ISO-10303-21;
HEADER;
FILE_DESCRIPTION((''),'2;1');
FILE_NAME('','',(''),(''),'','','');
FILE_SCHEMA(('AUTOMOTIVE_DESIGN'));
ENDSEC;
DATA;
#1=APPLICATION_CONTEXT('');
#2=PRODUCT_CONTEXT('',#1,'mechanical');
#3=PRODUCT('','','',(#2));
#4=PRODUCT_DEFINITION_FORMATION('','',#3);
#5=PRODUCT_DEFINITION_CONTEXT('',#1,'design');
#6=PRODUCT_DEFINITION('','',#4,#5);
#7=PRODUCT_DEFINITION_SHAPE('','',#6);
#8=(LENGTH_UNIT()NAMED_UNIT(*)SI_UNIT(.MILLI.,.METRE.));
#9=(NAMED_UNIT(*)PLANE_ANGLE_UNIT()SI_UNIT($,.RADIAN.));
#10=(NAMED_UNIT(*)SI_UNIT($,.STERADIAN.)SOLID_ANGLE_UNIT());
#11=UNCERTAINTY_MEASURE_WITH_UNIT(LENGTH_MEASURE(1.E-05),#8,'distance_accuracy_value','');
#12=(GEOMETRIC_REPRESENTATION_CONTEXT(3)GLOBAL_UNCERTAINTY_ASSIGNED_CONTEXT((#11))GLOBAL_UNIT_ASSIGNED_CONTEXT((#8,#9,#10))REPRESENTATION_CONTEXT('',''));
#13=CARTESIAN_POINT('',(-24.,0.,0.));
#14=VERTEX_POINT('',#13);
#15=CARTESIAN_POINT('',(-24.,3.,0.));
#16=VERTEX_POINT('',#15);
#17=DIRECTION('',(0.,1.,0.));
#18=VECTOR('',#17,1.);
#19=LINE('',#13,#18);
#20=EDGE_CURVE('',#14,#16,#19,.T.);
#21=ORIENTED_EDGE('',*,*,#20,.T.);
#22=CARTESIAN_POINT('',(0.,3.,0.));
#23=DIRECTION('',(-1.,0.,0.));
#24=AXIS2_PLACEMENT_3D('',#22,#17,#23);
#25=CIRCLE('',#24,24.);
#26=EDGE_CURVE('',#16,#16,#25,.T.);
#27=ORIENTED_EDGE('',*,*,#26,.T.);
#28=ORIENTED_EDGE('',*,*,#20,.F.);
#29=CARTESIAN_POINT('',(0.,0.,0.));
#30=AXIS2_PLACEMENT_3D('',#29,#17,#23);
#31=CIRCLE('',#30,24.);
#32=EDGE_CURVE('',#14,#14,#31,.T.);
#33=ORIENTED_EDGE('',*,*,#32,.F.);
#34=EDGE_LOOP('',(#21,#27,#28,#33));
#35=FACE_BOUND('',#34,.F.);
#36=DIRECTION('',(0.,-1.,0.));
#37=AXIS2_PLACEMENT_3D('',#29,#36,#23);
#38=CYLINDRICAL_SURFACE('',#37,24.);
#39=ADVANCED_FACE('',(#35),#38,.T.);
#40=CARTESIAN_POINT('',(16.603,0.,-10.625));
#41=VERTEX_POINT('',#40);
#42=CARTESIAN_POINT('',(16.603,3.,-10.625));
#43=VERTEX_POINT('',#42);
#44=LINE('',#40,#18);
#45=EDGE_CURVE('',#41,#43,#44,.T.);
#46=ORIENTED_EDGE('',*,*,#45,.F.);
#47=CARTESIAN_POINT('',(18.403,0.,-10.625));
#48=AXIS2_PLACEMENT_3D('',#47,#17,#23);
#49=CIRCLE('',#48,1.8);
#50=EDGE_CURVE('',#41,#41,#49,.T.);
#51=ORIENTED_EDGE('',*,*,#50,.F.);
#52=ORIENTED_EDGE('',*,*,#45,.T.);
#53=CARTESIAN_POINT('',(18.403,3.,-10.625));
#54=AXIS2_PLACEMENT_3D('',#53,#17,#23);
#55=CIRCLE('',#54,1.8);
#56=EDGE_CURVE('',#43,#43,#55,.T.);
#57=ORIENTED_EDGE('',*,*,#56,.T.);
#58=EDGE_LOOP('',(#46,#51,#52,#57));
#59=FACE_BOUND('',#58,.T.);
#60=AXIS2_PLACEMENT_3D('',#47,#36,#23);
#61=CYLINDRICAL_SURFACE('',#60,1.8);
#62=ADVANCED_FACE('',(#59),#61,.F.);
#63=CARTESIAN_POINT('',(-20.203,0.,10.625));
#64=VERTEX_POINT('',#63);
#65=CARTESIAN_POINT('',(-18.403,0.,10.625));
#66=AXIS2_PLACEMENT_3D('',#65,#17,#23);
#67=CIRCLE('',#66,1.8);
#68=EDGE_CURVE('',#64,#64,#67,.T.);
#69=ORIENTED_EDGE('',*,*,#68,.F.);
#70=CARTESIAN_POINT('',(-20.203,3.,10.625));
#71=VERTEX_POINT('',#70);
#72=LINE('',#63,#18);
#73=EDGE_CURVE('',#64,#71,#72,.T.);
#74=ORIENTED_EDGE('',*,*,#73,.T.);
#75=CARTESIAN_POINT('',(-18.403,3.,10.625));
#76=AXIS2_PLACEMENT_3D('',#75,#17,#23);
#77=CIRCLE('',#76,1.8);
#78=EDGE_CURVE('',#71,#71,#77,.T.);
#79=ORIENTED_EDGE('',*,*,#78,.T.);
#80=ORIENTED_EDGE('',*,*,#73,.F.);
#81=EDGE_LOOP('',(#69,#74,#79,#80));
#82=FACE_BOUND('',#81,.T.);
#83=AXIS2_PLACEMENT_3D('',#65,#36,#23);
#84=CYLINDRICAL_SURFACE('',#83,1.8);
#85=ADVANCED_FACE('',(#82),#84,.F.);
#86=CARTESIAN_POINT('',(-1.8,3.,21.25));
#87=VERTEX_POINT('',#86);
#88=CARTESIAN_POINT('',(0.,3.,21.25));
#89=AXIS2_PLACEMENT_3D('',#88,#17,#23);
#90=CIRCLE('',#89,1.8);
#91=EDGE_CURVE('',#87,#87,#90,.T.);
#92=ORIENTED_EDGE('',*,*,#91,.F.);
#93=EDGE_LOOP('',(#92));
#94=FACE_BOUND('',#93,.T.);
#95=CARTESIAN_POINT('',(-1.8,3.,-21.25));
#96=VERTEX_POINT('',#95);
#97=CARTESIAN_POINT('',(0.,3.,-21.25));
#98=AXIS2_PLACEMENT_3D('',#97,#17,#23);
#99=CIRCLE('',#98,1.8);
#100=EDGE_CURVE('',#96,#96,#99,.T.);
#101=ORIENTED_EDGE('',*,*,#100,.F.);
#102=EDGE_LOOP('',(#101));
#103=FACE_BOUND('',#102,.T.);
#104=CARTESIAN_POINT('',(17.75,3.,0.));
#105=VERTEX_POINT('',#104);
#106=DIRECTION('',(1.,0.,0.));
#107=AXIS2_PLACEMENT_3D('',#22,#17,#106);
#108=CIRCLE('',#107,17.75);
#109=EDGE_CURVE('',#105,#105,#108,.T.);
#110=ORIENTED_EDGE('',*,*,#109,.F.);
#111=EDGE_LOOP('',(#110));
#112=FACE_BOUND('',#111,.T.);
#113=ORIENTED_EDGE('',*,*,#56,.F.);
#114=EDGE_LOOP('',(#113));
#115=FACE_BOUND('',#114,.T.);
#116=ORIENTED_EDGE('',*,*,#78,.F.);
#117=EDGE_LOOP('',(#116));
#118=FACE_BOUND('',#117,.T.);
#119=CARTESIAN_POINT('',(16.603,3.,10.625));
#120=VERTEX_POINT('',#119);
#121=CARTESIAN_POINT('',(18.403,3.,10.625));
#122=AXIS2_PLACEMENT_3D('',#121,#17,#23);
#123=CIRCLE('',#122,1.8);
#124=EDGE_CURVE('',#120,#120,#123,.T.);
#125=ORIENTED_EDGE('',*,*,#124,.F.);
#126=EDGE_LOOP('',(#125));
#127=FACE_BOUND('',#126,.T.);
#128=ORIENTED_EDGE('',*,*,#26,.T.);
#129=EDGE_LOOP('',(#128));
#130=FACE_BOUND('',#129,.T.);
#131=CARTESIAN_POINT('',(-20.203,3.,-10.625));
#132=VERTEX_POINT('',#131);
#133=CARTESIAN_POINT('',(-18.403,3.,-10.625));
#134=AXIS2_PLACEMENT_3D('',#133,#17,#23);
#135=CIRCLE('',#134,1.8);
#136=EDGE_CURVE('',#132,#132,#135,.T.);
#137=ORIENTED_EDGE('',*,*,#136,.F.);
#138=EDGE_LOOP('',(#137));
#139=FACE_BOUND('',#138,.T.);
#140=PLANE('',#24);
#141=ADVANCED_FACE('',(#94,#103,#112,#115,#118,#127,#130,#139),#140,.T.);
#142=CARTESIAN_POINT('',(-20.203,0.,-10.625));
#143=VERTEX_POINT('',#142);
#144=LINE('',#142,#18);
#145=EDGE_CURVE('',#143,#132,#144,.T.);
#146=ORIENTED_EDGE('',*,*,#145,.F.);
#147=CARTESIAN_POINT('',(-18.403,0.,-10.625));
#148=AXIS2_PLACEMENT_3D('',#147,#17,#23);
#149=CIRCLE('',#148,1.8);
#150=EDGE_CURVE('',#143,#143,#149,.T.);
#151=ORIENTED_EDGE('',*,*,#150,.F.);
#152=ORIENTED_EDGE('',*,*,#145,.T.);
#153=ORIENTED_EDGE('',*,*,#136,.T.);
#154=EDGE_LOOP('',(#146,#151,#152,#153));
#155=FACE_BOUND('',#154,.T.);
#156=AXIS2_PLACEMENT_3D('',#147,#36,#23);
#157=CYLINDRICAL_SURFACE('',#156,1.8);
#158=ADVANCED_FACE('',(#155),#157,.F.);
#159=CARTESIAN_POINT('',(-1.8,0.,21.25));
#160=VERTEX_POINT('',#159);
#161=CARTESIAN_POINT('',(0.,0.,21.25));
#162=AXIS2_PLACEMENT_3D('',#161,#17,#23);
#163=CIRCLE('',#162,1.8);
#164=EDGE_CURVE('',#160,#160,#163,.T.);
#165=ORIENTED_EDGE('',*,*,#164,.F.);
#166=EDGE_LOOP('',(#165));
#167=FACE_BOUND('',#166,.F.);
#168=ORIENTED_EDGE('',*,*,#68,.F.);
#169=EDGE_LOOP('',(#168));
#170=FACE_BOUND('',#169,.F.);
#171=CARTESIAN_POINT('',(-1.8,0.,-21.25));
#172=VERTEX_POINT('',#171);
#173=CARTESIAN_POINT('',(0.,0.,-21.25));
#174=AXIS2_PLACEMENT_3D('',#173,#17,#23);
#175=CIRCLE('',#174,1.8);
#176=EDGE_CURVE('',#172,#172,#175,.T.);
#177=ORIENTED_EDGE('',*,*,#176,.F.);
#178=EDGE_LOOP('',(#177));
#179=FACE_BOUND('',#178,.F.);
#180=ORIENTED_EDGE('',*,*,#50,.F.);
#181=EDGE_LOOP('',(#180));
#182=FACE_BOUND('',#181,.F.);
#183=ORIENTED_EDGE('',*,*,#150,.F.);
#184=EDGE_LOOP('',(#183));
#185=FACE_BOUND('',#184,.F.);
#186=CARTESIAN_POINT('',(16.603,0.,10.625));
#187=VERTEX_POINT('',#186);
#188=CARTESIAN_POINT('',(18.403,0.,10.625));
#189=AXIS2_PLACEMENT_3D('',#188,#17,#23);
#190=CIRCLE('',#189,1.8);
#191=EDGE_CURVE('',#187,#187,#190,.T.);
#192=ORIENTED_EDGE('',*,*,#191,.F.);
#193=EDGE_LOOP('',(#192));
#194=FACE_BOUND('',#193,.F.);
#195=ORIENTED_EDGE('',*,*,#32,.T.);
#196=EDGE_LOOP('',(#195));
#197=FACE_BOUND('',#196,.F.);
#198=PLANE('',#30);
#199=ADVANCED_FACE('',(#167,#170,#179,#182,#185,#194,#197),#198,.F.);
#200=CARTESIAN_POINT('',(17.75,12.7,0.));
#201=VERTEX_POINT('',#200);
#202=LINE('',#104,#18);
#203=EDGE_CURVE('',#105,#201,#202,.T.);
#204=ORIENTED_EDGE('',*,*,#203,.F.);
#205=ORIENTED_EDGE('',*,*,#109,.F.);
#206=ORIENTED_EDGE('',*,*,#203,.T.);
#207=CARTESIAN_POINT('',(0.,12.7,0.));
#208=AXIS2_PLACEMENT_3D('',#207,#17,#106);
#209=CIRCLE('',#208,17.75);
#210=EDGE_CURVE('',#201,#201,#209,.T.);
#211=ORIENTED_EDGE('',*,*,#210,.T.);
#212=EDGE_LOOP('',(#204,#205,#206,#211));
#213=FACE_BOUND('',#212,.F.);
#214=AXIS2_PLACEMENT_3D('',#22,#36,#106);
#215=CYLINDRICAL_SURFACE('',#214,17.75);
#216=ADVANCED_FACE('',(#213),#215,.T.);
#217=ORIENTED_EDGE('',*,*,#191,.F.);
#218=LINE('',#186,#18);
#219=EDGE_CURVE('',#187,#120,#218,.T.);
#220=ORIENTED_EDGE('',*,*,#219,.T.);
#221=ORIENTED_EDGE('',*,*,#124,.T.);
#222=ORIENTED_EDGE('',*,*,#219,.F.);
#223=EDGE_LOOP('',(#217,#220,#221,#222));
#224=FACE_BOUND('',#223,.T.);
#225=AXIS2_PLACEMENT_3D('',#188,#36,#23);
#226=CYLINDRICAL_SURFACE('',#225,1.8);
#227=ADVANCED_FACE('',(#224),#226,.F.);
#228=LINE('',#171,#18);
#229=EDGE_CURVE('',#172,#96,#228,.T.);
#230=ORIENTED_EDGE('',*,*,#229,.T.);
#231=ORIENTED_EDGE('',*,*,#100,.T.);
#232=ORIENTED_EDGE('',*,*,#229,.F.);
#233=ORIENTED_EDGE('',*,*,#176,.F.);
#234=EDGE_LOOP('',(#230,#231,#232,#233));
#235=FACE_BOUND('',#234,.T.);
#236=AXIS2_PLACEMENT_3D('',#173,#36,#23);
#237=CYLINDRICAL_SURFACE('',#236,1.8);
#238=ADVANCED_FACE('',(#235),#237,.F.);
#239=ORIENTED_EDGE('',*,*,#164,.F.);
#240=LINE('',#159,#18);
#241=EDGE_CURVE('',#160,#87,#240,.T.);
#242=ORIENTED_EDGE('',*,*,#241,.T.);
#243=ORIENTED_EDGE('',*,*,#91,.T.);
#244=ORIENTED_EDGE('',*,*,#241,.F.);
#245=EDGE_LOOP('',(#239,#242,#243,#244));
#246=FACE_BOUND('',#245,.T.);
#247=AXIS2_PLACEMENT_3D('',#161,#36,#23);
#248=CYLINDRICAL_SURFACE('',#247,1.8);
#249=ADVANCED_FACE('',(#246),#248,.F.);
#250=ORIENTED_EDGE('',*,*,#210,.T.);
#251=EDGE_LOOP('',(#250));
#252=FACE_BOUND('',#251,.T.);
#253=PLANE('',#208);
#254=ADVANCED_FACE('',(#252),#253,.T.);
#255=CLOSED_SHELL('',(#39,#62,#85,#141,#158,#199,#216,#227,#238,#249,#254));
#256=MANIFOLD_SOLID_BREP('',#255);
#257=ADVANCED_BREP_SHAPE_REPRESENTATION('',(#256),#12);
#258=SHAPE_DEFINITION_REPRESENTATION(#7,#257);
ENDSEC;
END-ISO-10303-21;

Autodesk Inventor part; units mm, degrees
ref_plane "YZ Plane" through (0, 0, 0) normal (1, 0, 0) x (0, 1, 0)
ref_plane "XZ Plane" through (0, 0, 0) normal (0, 1, 0) x (-1, 0, 0)
ref_plane "XY Plane" through (0, 0, 0) normal (0, 0, 1) x (1, 0, 0)
sketch "Sketch1" plane through (0, 0, 0) normal (0, 1, 0) x (-1, 0, 0)
  circle A0 centre (0, 0) radius 24
  circle A1 centre (0, 0) radius 21.25 construction
  circle A2 centre (0, -21.25) radius 1.8
  circle A3 centre (18.403, -10.625) radius 1.8
  circle A4 centre (18.403, 10.625) radius 1.8
  circle A5 centre (0, 21.25) radius 1.8
  circle A6 centre (-18.403, 10.625) radius 1.8
  circle A7 centre (-18.403, -10.625) radius 1.8
  dimension "d9" = 42.5
  dimension "d7" = 48
  dimension "d11" = 3.6
  dimension "d22" = 360
extrude "Extrusion1" add sketch "Sketch1" along normal blind 3
sketch "Sketch2" plane through (0, 3, 0) normal (0, 1, 0) x (1, 0, 0)
  circle A0 centre (0, 0) radius 17.75
  dimension "d26" = 35.5
extrude "Extrusion3" add sketch "Sketch2" along normal blind 9.7
equation "\"d9\" = iciclesMountD"
equation "\"d7\" = iciclesBaseOuterD"
equation "\"d11\" = clearanceM6"
equation "\"d24\" = isiclesBaseThickness"
equation "\"d26\" = iciclesPlugD"
equation "\"d30\" = chairThickness - isiclesBaseThickness"
equation "\"moduleHeight\" = 96"
equation "\"moduleMountD\" = 6.8"
equation "\"moduleCornerR\" = 5"
equation "\"d4\" = moduleCornerR"
equation "\"d5\" = moduleMountD"
equation "\"d6\" = moduleMountD"
equation "\"d8\" = moduleMountD"
equation "\"d10\" = moduleMountD"
equation "\"moduleOpeningR\" = 25"
equation "\"d13\" = moduleOpeningR"
equation "\"thickness\" = 6"
equation "\"d15\" = thickness"
equation "\"d16\" = 0"
equation "\"iciclesMountD\" = 42.5"
equation "\"d17\" = iciclesMountD"
equation "\"clearanceM6\" = 3.6"
equation "\"d18\" = clearanceM6"
equation "\"d21\" = 360deg"
equation "\"d0\" = moduleHeight"
equation "\"iciclesBaseOuterD\" = 48"
equation "\"iciclesPlugD\" = 35.5"
equation "\"chairThickness\" = 12.7"
equation "\"isiclesBaseThickness\" = 3"
properties part number "Module_bottom_Icicles26"
